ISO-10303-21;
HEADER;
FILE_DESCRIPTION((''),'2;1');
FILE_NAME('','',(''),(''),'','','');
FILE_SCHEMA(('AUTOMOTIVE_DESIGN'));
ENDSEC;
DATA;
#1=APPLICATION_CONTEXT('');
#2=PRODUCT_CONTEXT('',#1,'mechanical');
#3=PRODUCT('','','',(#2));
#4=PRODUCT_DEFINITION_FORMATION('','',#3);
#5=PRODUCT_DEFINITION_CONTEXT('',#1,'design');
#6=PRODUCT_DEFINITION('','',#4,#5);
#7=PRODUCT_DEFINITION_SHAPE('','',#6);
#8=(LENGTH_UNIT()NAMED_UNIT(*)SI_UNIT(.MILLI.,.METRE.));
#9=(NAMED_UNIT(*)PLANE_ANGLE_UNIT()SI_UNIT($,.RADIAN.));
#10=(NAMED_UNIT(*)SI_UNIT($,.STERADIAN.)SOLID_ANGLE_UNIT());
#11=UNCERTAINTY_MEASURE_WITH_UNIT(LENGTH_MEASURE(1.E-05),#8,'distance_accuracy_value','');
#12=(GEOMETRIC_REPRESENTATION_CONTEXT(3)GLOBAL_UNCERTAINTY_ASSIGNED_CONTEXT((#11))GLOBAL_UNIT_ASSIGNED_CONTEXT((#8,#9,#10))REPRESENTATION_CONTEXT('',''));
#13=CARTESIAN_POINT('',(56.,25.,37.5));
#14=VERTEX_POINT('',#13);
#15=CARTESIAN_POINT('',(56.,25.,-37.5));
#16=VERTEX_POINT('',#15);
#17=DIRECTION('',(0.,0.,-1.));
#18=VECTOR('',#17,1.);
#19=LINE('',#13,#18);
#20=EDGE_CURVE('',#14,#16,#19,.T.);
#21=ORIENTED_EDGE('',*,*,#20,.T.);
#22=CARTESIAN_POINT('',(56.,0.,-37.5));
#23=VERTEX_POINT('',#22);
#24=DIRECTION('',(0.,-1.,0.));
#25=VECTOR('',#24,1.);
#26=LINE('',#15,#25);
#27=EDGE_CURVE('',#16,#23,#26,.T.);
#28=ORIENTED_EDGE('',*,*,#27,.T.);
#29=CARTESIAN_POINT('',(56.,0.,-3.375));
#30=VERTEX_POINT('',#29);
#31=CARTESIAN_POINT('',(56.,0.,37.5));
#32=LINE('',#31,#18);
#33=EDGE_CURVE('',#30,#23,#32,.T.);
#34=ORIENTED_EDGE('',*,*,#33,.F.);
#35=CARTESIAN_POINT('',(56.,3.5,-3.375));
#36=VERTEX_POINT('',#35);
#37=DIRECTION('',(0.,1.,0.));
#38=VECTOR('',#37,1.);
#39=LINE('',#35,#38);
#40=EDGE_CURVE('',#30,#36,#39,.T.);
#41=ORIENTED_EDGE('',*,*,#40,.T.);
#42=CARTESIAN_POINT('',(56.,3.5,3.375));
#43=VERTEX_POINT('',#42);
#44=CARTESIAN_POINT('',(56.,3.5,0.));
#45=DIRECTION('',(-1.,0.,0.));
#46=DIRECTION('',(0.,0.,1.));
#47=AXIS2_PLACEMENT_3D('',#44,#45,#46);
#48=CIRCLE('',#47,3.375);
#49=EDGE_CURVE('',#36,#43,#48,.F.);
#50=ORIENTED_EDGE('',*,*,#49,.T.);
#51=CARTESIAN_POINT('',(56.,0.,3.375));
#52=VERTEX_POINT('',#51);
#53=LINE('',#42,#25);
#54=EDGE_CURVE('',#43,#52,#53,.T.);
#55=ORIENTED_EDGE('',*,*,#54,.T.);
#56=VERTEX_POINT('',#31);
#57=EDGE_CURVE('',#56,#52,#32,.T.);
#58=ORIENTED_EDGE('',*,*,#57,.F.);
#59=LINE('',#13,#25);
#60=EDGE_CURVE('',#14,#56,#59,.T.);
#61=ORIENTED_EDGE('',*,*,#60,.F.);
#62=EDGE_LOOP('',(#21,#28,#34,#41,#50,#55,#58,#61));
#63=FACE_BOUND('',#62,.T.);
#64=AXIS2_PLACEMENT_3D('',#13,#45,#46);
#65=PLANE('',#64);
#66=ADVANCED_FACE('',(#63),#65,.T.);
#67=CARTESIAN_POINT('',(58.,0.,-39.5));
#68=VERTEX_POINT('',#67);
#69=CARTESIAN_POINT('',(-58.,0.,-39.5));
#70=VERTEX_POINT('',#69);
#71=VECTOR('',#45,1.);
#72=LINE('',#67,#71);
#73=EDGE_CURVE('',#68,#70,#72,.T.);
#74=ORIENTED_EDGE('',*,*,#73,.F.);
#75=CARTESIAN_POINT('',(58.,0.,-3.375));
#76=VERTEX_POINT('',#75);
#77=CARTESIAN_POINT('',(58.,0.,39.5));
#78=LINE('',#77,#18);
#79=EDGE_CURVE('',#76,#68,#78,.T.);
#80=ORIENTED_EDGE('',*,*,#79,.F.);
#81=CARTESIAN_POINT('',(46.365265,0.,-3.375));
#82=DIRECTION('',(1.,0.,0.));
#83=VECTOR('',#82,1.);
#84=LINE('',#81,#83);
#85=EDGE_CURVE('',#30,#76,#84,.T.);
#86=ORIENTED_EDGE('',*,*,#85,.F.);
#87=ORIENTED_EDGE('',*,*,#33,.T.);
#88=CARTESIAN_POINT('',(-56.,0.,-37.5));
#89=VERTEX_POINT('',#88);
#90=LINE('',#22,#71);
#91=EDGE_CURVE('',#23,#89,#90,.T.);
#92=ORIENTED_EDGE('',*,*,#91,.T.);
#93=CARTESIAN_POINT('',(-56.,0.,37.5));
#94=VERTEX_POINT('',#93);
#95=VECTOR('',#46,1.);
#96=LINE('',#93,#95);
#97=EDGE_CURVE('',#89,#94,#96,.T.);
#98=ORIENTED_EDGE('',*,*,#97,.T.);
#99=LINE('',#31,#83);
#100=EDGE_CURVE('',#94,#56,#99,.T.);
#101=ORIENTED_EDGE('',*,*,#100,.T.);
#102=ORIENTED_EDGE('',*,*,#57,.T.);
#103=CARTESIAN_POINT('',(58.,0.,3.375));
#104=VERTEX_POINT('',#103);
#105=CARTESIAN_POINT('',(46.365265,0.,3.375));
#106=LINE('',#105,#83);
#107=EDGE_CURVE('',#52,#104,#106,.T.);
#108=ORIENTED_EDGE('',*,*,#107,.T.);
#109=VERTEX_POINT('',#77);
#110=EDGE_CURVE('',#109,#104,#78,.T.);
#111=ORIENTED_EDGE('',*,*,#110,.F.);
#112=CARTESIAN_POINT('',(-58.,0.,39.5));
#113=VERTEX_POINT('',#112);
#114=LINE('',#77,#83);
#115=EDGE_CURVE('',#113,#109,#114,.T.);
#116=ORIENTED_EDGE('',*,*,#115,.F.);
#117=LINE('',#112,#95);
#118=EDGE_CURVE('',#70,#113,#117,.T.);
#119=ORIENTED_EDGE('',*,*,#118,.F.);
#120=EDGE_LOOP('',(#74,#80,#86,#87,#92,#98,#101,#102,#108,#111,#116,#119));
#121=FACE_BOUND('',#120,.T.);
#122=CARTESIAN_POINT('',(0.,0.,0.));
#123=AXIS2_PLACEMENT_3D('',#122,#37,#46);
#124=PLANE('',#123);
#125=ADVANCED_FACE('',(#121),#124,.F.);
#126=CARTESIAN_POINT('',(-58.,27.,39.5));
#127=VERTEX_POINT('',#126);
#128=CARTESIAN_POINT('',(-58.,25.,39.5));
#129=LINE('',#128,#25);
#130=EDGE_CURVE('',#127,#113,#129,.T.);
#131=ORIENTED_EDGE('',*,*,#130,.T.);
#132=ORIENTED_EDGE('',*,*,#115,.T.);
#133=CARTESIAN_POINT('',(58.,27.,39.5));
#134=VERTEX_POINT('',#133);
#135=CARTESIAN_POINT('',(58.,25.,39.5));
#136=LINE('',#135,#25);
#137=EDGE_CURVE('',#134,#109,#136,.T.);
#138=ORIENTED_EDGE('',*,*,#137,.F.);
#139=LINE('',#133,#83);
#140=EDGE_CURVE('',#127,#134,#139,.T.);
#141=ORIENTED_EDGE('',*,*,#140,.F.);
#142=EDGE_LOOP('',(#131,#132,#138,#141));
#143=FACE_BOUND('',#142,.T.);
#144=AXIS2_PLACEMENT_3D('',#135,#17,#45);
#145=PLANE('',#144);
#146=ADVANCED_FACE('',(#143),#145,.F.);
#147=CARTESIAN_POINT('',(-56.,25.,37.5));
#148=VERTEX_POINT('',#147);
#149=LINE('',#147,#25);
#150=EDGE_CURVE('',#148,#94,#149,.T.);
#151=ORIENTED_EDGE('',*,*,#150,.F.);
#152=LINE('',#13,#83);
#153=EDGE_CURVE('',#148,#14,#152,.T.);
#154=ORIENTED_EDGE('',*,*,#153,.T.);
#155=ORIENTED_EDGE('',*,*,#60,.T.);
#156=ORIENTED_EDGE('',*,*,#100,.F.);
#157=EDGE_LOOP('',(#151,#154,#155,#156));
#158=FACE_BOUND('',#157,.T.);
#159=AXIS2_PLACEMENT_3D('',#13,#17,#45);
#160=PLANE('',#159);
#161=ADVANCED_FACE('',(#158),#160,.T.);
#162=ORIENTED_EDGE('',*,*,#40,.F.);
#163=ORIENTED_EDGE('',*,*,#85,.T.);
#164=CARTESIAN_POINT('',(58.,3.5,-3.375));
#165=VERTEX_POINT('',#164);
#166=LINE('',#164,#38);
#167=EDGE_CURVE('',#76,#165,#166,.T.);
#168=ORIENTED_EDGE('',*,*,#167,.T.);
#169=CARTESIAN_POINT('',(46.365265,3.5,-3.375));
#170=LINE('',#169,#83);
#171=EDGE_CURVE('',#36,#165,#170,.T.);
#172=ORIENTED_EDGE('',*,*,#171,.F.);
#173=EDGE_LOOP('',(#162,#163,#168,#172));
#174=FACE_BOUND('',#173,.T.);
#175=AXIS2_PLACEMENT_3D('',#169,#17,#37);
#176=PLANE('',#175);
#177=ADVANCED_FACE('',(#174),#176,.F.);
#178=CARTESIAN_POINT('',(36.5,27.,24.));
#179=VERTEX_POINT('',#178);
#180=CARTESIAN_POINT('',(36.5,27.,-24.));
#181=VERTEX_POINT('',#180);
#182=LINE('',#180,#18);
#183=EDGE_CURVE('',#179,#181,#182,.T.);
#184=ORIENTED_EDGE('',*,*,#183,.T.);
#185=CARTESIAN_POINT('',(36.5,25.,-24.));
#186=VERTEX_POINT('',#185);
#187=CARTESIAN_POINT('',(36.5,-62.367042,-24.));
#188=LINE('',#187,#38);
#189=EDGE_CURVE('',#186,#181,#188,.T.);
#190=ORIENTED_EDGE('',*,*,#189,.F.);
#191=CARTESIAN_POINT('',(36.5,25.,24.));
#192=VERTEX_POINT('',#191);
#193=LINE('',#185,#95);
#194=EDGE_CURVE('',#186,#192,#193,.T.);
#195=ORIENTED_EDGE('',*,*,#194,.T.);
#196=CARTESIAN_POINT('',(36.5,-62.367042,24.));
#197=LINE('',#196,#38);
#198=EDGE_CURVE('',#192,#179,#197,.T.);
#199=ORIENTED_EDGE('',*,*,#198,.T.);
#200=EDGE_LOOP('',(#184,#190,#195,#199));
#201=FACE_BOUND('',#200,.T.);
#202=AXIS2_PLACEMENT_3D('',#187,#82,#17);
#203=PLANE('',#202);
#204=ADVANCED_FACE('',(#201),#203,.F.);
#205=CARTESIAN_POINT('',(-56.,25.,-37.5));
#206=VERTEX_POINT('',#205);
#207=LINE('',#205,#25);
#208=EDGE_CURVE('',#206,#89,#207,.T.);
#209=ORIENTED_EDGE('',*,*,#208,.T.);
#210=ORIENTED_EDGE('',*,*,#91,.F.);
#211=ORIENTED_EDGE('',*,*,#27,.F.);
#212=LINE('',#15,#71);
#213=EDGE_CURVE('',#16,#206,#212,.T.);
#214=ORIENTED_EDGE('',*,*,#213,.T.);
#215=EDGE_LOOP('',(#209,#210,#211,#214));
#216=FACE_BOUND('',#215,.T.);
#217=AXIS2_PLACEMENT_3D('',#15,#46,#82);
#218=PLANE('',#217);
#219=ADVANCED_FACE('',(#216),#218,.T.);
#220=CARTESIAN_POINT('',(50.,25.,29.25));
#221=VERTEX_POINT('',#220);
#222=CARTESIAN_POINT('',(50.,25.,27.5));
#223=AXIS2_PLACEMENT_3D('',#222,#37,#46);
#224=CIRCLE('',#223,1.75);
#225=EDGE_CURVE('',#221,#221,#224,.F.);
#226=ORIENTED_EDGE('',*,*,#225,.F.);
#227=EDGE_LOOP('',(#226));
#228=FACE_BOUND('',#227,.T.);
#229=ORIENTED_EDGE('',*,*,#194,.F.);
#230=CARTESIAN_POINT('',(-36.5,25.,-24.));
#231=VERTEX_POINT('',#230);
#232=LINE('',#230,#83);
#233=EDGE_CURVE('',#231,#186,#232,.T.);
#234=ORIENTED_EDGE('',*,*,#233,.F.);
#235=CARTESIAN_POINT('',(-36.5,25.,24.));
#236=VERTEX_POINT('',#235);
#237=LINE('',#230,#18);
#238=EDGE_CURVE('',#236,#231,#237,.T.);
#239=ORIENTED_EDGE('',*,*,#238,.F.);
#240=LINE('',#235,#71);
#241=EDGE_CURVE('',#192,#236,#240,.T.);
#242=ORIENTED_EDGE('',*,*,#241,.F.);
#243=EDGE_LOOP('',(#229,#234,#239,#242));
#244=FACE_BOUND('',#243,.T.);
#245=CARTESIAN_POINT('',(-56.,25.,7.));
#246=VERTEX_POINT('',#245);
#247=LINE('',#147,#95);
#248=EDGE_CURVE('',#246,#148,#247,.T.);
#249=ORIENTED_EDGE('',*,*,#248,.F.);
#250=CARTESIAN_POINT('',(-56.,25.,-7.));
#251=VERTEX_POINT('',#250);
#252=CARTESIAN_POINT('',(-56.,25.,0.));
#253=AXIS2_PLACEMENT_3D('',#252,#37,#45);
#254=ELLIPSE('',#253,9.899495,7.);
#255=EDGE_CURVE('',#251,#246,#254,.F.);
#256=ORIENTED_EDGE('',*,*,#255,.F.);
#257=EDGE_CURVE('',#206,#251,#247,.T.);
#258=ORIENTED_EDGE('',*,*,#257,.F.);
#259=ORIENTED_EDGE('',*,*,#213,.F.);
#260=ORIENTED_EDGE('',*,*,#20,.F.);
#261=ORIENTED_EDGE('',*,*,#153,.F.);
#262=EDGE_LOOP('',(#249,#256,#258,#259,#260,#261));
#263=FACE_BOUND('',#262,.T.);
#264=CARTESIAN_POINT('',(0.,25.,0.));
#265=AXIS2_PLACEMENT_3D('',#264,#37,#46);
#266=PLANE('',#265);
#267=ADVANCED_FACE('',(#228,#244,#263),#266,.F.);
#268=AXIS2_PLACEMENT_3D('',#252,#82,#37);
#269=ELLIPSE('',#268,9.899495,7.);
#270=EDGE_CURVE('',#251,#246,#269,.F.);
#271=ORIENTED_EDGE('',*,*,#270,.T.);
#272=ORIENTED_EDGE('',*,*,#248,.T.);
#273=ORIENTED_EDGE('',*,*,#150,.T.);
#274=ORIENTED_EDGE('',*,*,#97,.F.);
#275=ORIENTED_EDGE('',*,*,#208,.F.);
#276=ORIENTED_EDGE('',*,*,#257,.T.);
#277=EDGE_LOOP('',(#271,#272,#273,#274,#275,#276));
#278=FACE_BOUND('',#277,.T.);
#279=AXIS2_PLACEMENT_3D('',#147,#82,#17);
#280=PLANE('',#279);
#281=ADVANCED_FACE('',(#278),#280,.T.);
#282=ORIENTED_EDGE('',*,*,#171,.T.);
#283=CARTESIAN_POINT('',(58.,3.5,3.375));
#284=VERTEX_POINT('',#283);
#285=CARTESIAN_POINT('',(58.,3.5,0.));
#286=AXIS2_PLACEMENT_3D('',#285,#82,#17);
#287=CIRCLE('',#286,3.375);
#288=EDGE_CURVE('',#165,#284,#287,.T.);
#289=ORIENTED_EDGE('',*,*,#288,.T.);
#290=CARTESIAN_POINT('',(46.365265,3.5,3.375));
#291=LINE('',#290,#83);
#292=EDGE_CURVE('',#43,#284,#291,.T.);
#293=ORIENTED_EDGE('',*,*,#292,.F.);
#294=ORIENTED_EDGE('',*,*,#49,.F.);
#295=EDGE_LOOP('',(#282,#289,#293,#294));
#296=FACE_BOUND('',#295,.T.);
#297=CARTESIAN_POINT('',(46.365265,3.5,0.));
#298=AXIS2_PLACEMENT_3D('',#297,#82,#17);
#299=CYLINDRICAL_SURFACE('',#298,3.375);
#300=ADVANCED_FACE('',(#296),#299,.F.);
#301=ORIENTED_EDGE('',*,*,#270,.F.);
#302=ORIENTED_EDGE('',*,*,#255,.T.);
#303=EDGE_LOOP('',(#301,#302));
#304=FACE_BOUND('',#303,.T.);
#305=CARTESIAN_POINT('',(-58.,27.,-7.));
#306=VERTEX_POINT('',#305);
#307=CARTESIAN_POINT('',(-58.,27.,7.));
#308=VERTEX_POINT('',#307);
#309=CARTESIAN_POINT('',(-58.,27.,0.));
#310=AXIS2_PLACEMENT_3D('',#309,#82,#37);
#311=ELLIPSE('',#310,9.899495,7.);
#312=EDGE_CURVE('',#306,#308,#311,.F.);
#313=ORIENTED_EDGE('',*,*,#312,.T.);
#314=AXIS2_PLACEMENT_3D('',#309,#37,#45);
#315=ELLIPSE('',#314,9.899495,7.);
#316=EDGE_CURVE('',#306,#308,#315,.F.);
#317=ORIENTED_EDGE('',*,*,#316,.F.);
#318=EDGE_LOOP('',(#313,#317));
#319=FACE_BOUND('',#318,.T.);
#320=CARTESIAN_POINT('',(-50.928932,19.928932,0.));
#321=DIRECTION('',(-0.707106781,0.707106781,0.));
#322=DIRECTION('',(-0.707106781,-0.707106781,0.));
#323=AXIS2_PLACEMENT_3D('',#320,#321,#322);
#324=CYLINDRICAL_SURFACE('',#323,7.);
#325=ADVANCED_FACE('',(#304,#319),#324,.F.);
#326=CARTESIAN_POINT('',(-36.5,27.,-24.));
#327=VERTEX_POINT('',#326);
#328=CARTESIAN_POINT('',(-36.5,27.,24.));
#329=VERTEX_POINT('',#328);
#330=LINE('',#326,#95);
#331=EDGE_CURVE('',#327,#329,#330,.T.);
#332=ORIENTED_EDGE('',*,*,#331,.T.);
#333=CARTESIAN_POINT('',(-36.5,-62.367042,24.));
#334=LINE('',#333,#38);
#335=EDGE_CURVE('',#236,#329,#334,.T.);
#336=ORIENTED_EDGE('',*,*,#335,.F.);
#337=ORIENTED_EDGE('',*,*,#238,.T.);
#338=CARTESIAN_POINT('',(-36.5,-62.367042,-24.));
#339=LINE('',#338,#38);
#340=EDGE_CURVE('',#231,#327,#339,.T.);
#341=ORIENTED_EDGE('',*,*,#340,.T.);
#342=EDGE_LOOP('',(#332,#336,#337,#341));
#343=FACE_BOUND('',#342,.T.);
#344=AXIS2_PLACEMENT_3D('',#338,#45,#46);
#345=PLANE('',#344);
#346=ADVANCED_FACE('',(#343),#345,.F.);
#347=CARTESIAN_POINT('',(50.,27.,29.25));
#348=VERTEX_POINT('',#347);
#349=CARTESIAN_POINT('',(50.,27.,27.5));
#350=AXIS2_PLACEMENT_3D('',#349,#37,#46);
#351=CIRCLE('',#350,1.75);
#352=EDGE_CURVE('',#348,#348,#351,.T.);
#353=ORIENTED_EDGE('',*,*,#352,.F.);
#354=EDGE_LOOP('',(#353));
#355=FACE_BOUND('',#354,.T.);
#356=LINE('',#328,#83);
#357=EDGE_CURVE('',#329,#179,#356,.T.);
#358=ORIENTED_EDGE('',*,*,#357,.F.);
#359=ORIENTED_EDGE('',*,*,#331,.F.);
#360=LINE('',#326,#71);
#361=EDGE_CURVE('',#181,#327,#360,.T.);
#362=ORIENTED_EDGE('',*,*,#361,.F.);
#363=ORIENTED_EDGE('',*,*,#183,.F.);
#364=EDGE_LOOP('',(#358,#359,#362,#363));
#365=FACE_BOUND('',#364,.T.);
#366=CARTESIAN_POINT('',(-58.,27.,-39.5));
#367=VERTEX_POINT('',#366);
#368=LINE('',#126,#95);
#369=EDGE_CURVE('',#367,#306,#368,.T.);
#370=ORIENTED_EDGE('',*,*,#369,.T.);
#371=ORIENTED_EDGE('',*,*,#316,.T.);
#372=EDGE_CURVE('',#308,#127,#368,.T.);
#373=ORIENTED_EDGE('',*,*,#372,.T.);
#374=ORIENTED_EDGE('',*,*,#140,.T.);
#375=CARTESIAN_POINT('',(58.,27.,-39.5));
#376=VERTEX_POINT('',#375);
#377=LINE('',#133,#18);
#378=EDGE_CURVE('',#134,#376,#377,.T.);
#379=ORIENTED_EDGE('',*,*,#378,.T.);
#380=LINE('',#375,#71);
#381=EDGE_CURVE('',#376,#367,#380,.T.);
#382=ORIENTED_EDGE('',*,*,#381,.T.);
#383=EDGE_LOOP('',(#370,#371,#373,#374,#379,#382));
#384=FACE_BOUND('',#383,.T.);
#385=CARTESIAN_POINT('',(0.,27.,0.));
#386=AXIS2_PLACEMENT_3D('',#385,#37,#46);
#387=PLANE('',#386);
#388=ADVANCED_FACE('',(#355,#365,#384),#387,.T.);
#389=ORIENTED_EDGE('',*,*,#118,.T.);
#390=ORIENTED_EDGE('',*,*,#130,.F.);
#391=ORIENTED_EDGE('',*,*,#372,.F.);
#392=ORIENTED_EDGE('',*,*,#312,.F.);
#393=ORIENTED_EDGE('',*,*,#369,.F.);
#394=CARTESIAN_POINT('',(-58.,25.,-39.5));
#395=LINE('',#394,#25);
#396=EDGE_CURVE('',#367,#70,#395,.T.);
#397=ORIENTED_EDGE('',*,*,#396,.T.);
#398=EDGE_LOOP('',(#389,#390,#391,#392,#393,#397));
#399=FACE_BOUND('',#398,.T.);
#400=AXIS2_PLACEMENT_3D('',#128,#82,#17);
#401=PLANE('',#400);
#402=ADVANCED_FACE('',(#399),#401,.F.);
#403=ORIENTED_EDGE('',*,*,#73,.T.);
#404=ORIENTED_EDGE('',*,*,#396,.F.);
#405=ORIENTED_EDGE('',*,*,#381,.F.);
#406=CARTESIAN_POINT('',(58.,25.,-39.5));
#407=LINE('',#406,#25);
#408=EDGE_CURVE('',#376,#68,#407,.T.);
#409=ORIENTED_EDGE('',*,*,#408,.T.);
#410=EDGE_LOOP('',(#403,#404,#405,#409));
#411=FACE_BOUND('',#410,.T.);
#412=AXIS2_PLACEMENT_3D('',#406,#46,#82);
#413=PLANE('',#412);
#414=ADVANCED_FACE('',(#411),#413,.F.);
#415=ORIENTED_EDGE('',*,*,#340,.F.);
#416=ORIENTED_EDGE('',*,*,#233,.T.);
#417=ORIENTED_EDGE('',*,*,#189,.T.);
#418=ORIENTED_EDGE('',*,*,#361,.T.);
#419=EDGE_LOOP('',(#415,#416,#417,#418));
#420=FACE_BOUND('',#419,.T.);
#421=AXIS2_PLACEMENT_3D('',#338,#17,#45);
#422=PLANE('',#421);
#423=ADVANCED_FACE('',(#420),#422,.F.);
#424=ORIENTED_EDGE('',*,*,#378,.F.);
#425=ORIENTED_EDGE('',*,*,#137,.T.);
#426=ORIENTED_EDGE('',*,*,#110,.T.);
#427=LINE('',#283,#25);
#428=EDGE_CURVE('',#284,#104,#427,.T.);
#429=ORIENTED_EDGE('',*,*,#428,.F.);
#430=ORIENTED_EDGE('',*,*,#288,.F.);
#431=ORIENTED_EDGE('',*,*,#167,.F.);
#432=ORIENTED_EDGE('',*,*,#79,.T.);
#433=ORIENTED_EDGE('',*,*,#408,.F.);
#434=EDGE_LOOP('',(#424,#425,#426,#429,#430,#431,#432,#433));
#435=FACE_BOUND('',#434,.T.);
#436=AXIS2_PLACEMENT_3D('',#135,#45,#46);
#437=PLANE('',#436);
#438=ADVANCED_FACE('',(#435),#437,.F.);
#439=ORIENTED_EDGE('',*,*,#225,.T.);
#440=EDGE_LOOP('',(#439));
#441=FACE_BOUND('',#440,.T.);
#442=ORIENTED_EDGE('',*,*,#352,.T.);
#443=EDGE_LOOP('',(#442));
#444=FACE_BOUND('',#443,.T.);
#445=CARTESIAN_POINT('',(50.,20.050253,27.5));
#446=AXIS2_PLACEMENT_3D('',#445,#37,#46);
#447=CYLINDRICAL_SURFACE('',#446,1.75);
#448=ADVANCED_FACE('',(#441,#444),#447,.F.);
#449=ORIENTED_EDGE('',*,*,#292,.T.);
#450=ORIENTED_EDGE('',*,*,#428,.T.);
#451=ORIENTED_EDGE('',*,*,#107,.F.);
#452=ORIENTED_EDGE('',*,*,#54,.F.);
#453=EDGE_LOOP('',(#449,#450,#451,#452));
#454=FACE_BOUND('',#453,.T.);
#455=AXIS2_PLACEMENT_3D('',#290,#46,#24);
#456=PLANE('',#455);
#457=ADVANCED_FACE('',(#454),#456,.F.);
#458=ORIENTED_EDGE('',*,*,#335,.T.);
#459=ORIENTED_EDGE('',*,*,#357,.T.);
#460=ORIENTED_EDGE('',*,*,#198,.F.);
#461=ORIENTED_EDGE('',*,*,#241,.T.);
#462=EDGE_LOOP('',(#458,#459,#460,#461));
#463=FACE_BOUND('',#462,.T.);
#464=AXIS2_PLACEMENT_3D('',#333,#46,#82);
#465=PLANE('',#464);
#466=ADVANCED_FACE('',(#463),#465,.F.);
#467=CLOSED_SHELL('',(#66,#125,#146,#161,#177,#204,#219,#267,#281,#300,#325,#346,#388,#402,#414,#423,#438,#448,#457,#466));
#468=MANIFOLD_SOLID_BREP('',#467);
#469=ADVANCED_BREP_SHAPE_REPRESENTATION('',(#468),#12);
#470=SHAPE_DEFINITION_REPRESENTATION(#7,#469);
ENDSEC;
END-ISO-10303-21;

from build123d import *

# Parameters (mm, degrees)
SKETCH1_W           = 116
SKETCH1_H           = 79
SKETCH1_W_2         = 112
SKETCH1_H_2         = 75
BOSS_EXTRUDE1_DEPTH = 25
SKETCH2_W           = 116
SKETCH2_H           = 79
BOSS_EXTRUDE2_DEPTH = 2
SKETCH3_W           = 73
SKETCH3_H           = 48
CUT_EXTRUDE1_DEPTH  = 2
SKETCH4_R           = 1.75
CUT_EXTRUDE2_DEPTH  = 2
SKETCH6_R           = 7
CUT_EXTRUDE3_DEPTH  = 10
CUT_EXTRUDE4_DEPTH  = 2


with BuildPart() as part:
    # Sketch1 → Boss-Extrude1 (new body)
    with BuildSketch(Plane(origin=(0, 0, 0), x_dir=(1, 0, 0), z_dir=(0, 1, 0))):
        Rectangle(SKETCH1_W, SKETCH1_H)
        Rectangle(SKETCH1_W_2, SKETCH1_H_2, mode=Mode.SUBTRACT)
    extrude(amount=BOSS_EXTRUDE1_DEPTH)

    # Sketch2 → Boss-Extrude2 (add)
    with BuildSketch(Plane(origin=(0, 25, 0), x_dir=(1, 0, 0), z_dir=(0, 1, 0))):
        Rectangle(SKETCH2_W, SKETCH2_H)
    extrude(amount=BOSS_EXTRUDE2_DEPTH)

    # Sketch3 → Cut-Extrude1 (cut)
    with BuildSketch(Plane(origin=(0, 27, 0), x_dir=(1, 0, 0), z_dir=(0, 1, 0))):
        Rectangle(SKETCH3_W, SKETCH3_H)
    extrude(amount=-CUT_EXTRUDE1_DEPTH, mode=Mode.SUBTRACT)

    # Sketch4 → Cut-Extrude2 (cut)
    with BuildSketch(Plane(origin=(0, 27, 0), x_dir=(1, 0, 0), z_dir=(0, 1, 0))):
        with Locations((50, -27.5)):
            Circle(SKETCH4_R)
    extrude(amount=-CUT_EXTRUDE2_DEPTH, mode=Mode.SUBTRACT)

    # Sketch6 → Cut-Extrude3 (cut)
    with BuildSketch(Plane(origin=(-42.5, 42.5, 0), x_dir=(-0.707106781, -0.707106781, 0), z_dir=(0.707106781, -0.707106781, 0))):
        with Locations((21.920310217, 0)):
            Circle(SKETCH6_R)
    extrude(amount=CUT_EXTRUDE3_DEPTH, mode=Mode.SUBTRACT)

    # Sketch7 → Cut-Extrude4 (cut)
    with BuildSketch(Plane(origin=(58, 0, 0), x_dir=(0, 0, -1), z_dir=(1, 0, 0))):
        with BuildLine():
            Line((-3.375, 3.5), (-3.375, 0))
            Line((-3.375, 0), (3.375, 0))
            Line((3.375, 0), (3.375, 3.5))
            ThreePointArc((3.375, 3.5), (0, 6.875), (-3.375, 3.5))
        make_face()
    extrude(amount=-CUT_EXTRUDE4_DEPTH, mode=Mode.SUBTRACT)


solid = part.part
